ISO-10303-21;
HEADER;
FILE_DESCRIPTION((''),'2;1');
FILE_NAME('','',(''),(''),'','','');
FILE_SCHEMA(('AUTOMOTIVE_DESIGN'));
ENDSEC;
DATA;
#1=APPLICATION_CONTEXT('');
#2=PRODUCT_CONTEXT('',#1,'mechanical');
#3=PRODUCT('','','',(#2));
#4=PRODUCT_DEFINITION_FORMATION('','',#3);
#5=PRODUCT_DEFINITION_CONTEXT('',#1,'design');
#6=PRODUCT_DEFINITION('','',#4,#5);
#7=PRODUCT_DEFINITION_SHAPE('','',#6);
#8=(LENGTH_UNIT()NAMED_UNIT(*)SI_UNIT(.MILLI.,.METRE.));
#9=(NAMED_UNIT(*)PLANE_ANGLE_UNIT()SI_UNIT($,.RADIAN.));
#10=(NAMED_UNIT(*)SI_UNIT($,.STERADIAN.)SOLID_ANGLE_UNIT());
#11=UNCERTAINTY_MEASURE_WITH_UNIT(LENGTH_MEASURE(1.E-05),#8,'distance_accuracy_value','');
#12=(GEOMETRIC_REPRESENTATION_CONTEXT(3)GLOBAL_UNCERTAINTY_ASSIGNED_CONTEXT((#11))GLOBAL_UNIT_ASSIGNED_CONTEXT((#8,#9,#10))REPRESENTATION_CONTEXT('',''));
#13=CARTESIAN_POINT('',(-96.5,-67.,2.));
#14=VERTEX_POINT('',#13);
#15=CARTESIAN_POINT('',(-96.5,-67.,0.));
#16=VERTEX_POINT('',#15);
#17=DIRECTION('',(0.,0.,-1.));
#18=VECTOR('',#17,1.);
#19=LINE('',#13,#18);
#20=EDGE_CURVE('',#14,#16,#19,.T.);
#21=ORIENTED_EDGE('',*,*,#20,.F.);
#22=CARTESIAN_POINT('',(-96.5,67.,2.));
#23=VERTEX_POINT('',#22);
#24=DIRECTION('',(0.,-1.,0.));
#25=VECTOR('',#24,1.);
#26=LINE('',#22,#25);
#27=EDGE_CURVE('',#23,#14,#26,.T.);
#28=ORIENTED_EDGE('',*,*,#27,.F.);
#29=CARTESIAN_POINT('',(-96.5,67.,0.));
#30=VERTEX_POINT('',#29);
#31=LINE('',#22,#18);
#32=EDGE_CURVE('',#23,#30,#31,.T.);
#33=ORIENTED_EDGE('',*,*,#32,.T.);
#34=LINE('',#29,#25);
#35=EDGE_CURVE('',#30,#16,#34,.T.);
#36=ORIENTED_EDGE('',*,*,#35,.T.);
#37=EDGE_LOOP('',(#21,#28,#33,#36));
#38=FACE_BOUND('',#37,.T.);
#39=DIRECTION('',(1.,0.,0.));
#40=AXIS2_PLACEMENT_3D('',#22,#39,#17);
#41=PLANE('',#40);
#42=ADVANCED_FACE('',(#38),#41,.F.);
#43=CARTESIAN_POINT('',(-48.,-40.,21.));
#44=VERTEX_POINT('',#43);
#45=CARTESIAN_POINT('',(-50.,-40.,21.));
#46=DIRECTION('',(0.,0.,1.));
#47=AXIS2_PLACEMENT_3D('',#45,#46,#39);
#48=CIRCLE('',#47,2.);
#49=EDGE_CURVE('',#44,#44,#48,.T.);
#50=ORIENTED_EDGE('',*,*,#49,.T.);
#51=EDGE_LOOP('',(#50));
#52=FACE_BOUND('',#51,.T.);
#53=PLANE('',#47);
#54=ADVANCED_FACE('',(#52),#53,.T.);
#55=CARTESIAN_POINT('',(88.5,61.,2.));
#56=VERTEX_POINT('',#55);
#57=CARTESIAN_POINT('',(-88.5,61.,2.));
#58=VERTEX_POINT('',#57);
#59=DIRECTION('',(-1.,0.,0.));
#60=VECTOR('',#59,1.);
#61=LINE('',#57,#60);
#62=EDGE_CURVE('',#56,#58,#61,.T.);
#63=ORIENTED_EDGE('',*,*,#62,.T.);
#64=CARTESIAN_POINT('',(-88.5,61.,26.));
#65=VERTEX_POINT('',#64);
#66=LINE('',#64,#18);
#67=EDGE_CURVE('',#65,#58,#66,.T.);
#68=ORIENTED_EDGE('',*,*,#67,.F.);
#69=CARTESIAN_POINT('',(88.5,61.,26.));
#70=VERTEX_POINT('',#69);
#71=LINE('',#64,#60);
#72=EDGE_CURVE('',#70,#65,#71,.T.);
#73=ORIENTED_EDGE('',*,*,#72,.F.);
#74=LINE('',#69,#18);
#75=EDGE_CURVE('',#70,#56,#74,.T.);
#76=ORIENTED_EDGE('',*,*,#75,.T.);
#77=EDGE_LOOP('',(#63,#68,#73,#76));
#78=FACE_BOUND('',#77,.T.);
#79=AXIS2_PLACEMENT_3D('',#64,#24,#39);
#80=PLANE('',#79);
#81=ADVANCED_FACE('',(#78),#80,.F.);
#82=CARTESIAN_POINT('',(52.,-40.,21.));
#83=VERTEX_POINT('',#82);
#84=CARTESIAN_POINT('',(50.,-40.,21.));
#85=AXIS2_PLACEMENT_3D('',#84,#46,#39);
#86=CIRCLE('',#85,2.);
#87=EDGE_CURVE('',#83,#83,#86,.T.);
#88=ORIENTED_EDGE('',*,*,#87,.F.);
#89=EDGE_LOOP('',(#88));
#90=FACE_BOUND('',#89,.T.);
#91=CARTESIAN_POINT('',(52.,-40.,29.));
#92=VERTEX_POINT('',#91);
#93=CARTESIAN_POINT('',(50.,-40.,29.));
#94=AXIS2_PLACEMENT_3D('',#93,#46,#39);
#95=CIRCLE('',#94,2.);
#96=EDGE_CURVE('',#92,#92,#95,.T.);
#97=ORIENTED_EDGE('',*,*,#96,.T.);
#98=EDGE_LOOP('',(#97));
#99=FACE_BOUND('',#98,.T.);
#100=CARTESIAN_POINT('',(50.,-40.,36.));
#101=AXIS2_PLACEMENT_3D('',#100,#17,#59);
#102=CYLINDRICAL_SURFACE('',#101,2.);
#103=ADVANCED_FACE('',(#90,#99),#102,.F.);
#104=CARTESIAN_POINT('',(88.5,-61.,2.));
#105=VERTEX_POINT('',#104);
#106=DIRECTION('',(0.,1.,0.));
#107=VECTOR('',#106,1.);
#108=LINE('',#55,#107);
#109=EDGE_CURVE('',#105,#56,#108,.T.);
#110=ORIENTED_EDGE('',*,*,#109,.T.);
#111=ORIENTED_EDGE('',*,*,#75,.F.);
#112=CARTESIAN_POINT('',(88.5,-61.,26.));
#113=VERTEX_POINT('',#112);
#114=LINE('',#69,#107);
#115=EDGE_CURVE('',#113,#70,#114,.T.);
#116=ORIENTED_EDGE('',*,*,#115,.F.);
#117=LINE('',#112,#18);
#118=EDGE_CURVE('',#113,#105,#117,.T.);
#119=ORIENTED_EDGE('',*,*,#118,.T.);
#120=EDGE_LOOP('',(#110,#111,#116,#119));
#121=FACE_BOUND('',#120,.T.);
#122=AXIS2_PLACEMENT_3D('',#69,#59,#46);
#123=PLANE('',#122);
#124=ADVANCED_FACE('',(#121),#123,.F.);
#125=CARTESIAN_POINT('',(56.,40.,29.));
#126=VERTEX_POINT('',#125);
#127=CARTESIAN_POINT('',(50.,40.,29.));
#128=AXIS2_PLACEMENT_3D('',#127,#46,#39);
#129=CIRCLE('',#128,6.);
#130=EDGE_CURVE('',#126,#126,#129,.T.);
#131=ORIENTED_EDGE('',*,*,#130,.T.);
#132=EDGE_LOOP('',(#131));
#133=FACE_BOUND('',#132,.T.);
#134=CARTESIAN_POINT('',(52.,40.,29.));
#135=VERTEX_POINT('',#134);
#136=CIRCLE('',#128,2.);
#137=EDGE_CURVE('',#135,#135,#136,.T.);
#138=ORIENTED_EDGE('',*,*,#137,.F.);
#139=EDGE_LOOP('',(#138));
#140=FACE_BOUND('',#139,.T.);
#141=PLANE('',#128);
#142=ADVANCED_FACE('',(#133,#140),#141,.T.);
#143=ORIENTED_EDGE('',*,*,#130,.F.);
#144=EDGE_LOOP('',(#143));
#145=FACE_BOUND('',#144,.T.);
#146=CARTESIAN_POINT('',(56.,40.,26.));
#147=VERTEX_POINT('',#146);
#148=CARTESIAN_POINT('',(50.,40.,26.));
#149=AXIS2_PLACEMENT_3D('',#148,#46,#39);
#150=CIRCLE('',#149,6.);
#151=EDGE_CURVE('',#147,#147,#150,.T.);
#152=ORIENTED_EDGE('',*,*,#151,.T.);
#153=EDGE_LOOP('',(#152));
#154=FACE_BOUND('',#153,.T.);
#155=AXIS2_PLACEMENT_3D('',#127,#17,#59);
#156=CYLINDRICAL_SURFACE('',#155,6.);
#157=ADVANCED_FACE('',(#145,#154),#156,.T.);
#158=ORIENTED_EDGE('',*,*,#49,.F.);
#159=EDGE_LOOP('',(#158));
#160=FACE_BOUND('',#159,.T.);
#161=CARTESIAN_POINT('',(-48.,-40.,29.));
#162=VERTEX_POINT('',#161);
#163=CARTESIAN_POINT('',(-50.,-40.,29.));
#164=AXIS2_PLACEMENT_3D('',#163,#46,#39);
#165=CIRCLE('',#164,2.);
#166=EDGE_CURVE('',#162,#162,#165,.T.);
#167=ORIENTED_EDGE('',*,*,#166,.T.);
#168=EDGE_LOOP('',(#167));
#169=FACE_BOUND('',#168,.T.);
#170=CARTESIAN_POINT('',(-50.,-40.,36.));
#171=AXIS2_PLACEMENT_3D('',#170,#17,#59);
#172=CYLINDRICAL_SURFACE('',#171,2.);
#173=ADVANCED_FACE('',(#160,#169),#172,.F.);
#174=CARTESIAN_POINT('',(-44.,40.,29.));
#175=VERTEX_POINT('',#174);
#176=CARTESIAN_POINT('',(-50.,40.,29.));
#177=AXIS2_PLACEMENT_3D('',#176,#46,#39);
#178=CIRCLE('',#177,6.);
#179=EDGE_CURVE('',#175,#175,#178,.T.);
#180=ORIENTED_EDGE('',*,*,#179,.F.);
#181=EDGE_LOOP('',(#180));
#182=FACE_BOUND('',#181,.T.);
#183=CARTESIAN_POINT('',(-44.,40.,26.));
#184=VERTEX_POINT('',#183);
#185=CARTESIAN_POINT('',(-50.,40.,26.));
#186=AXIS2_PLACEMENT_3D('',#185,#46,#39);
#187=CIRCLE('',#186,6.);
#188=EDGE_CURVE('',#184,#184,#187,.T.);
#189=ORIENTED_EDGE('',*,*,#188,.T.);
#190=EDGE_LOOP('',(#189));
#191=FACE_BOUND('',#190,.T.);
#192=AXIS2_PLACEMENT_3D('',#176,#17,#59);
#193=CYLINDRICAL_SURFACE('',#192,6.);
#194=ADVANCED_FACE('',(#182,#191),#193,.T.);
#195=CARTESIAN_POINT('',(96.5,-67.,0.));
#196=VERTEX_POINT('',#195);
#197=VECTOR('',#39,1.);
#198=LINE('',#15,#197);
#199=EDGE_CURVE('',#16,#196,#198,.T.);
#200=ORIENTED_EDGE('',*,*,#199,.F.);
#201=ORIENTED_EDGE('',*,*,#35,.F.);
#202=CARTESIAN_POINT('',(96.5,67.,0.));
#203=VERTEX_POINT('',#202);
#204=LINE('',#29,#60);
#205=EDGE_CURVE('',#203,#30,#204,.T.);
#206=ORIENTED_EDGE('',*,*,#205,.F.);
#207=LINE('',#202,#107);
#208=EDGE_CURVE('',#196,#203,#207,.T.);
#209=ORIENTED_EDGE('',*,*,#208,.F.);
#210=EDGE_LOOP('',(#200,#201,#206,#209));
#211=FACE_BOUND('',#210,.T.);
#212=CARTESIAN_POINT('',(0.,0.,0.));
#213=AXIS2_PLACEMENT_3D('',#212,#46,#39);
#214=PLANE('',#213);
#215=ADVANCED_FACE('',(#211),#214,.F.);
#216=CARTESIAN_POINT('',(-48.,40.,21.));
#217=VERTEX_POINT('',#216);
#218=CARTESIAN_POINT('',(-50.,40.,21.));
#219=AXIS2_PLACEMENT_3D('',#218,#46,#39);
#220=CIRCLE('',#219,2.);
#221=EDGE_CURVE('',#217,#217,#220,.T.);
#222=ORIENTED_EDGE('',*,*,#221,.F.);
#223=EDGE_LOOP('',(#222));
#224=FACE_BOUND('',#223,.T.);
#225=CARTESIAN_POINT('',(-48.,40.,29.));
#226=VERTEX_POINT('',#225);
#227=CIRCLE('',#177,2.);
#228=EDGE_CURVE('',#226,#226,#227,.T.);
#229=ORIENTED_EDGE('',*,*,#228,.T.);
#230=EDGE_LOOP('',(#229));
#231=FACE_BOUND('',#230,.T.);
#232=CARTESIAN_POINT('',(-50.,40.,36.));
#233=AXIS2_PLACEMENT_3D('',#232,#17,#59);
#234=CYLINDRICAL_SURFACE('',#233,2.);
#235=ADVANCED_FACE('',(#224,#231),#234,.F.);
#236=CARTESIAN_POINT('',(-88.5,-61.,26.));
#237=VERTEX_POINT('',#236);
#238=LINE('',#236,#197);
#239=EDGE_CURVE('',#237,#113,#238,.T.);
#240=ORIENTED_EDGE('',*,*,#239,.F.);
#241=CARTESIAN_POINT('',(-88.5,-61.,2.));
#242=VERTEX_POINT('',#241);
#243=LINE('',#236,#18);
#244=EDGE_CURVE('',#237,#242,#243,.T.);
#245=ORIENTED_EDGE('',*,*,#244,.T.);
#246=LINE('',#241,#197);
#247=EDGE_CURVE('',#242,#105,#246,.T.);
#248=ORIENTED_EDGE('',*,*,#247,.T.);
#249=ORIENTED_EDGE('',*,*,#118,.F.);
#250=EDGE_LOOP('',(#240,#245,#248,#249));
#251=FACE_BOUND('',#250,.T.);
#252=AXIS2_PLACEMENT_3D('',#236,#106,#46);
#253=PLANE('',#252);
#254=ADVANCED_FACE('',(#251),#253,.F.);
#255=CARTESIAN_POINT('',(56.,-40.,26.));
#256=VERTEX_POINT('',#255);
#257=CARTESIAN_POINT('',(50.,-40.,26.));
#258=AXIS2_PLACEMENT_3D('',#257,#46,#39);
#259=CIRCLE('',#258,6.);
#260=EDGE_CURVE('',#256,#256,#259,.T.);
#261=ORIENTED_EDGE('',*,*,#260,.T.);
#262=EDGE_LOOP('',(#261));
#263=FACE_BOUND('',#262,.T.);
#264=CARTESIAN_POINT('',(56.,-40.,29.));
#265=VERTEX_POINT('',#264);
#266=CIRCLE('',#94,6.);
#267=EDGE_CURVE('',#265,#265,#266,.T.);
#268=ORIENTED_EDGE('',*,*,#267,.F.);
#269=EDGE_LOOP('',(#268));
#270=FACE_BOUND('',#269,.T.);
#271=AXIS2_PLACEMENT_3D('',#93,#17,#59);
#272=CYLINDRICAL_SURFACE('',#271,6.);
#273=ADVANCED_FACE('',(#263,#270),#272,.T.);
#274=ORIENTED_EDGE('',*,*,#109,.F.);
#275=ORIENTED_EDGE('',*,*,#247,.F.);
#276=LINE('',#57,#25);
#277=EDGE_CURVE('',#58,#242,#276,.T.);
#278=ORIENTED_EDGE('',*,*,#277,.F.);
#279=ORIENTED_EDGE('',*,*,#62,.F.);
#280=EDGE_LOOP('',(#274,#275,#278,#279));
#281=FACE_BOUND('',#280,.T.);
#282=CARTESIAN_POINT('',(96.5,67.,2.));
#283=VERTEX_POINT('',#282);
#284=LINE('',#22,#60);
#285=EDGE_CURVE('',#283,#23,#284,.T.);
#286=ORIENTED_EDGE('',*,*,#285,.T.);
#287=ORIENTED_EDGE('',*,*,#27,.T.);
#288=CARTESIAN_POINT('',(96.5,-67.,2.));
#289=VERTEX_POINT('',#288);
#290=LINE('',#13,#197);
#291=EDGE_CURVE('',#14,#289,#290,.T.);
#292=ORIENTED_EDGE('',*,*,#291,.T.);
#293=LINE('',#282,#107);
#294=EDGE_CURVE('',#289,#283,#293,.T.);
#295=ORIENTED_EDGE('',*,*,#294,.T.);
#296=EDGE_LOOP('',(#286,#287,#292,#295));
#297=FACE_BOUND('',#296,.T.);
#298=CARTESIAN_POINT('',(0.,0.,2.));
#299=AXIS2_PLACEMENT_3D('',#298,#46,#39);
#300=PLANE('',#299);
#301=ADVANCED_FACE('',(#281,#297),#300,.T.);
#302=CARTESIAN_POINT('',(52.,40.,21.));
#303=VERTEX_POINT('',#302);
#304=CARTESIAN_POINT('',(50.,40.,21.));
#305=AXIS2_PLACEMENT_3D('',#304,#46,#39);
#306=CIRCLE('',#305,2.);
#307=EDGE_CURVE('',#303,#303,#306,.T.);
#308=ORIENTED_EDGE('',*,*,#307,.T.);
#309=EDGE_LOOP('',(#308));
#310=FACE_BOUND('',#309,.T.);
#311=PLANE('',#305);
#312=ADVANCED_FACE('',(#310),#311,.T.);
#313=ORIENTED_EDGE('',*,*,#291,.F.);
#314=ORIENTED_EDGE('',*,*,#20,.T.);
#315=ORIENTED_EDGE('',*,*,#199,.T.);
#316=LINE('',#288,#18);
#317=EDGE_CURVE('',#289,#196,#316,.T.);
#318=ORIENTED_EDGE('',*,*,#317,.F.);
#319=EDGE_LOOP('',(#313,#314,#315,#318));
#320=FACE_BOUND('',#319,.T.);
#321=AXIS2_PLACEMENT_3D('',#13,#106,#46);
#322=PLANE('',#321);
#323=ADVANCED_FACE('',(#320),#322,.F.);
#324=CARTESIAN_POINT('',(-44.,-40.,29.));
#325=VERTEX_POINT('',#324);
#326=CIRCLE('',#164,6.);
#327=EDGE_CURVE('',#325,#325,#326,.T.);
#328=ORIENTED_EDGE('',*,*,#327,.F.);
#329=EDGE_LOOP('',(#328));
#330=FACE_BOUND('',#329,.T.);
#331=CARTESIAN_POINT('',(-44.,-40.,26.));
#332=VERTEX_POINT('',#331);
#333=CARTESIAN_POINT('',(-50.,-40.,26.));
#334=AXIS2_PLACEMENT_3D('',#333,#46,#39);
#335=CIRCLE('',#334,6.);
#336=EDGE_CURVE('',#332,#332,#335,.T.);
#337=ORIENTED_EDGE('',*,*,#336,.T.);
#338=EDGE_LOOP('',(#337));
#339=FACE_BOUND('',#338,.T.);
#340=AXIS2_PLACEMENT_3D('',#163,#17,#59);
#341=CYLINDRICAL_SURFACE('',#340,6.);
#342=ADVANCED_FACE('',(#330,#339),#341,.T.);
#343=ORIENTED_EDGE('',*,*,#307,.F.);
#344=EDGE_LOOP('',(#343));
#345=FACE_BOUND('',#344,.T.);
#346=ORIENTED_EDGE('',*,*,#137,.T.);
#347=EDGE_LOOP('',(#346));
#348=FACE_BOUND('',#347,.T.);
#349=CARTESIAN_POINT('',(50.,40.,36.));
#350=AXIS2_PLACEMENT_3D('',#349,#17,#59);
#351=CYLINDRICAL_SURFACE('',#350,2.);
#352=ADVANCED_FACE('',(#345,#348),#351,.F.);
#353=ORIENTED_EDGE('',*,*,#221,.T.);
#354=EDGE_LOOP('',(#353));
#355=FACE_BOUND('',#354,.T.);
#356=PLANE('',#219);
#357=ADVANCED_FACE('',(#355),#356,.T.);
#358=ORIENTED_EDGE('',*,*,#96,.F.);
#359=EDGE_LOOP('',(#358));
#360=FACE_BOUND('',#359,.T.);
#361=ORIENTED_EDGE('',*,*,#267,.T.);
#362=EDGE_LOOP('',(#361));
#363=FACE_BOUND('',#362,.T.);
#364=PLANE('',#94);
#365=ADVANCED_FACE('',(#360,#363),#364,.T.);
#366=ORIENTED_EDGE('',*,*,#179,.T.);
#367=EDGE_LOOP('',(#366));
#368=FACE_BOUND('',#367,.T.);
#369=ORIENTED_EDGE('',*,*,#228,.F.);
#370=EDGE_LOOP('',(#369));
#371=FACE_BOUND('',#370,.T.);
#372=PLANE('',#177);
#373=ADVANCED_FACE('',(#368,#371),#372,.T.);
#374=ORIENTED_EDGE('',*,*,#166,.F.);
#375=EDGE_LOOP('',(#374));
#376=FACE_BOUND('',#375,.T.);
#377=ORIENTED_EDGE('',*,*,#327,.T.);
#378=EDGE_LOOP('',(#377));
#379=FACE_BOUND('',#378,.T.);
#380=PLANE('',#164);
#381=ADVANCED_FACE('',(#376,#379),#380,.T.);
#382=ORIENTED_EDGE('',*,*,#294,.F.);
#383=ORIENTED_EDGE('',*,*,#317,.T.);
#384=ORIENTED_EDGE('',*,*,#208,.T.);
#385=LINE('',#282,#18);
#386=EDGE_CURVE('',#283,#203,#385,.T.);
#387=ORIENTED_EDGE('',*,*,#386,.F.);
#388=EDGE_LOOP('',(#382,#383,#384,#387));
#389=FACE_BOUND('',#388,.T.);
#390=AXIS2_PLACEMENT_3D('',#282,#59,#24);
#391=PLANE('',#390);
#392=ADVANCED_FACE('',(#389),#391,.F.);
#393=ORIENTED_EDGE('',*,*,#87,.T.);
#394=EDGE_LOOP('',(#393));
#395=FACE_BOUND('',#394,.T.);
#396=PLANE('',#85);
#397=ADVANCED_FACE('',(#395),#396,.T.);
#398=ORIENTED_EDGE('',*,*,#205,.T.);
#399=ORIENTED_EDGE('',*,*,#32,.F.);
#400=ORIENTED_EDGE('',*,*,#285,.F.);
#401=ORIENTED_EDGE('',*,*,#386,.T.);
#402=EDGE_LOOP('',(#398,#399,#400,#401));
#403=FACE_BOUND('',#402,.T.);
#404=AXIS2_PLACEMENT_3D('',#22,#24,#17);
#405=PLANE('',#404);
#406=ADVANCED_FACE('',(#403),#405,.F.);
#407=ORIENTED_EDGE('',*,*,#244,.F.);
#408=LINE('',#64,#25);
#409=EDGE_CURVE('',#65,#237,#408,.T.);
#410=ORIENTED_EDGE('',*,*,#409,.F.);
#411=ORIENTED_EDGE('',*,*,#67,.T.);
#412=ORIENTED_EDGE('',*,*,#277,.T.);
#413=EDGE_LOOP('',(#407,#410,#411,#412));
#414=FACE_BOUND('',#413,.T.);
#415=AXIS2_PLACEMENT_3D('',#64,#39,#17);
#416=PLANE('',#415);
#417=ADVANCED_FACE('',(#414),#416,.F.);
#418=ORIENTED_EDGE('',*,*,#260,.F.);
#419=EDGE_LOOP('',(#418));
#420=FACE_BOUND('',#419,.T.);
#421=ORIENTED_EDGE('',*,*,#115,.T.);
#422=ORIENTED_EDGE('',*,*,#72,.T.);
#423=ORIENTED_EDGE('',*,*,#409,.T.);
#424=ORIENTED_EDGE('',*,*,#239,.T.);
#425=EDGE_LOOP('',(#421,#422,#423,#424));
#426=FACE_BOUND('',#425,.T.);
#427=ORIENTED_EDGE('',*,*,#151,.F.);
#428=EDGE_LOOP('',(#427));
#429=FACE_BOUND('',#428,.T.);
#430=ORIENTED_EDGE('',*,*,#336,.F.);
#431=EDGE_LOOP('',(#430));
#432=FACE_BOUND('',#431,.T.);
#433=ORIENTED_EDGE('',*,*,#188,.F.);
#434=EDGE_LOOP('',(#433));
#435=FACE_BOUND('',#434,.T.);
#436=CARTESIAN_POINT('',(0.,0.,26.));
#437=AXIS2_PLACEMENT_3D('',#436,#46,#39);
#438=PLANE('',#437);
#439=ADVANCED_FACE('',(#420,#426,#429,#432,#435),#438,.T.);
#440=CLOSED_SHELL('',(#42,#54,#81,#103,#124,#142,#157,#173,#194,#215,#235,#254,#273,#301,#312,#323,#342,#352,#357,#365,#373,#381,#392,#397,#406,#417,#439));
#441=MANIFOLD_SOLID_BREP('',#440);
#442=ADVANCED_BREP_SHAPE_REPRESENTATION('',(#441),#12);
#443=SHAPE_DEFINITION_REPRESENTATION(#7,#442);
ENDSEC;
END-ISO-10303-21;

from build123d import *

# Parameters (mm, degrees)
SKETCH_1_W               = 193
SKETCH_1_H               = 134
EXTRUDE_1_DEPTH          = 2
SKETCH_2_W               = 177
SKETCH_2_H               = 122
EXTRUDE_2_DEPTH          = 24
CUT_EXTRUDE_1_DEPTH      = 10
CUT_EXTRUDE_1_DEPTH_BACK = 5
SKETCH_3_R               = 2
EXTRUDE_START            = 3
SKETCH_4_R               = 6
SKETCH_4_R_2             = 2
EXTRUDE_3_DEPTH          = 3


with BuildPart() as part:
    # 草图1 → 凸台-拉伸1 (new body)
    with BuildSketch(Plane.XY):
        Rectangle(SKETCH_1_W, SKETCH_1_H)
    extrude(amount=EXTRUDE_1_DEPTH)

    # 草图2 → 凸台-拉伸2 (add)
    with BuildSketch(Plane.XY.offset(2)):
        Rectangle(SKETCH_2_W, SKETCH_2_H)
    extrude(amount=EXTRUDE_2_DEPTH)

    # 草图3 → 切除-拉伸1 (cut, two sides: drawn at the far end of the back side and taken through both)
    with BuildSketch(Plane.XY.offset(26).offset(-CUT_EXTRUDE_1_DEPTH_BACK)):
        with Locations((-50, 40)):
            Circle(SKETCH_3_R)
        with Locations((-50, -40)):
            Circle(SKETCH_3_R)
        with Locations((50, -40)):
            Circle(SKETCH_3_R)
        with Locations((50, 40)):
            Circle(SKETCH_3_R)
    extrude(amount=CUT_EXTRUDE_1_DEPTH + CUT_EXTRUDE_1_DEPTH_BACK, mode=Mode.SUBTRACT)

    # 草图4 → 凸台-拉伸3 (add)
    # profile 1 of 4: a face of its own
    with BuildSketch(Plane.XY.offset(26).offset(EXTRUDE_START)):
        with Locations((-50, 40)):
            Circle(SKETCH_4_R)
        with Locations((-50, 40)):
            Circle(SKETCH_4_R_2, mode=Mode.SUBTRACT)
    # profile 2 of 4: a face of its own
    with BuildSketch(Plane.XY.offset(26).offset(EXTRUDE_START)):
        with Locations((-50, -40)):
            Circle(SKETCH_4_R)
        with Locations((-50, -40)):
            Circle(SKETCH_4_R_2, mode=Mode.SUBTRACT)
    # profile 3 of 4: a face of its own
    with BuildSketch(Plane.XY.offset(26).offset(EXTRUDE_START)):
        with Locations((50, -40)):
            Circle(SKETCH_4_R)
        with Locations((50, -40)):
            Circle(SKETCH_4_R_2, mode=Mode.SUBTRACT)
    # profile 4 of 4: a face of its own
    with BuildSketch(Plane.XY.offset(26).offset(EXTRUDE_START)):
        with Locations((50, 40)):
            Circle(SKETCH_4_R)
        with Locations((50, 40)):
            Circle(SKETCH_4_R_2, mode=Mode.SUBTRACT)
    extrude(amount=-EXTRUDE_3_DEPTH)


solid = part.part
